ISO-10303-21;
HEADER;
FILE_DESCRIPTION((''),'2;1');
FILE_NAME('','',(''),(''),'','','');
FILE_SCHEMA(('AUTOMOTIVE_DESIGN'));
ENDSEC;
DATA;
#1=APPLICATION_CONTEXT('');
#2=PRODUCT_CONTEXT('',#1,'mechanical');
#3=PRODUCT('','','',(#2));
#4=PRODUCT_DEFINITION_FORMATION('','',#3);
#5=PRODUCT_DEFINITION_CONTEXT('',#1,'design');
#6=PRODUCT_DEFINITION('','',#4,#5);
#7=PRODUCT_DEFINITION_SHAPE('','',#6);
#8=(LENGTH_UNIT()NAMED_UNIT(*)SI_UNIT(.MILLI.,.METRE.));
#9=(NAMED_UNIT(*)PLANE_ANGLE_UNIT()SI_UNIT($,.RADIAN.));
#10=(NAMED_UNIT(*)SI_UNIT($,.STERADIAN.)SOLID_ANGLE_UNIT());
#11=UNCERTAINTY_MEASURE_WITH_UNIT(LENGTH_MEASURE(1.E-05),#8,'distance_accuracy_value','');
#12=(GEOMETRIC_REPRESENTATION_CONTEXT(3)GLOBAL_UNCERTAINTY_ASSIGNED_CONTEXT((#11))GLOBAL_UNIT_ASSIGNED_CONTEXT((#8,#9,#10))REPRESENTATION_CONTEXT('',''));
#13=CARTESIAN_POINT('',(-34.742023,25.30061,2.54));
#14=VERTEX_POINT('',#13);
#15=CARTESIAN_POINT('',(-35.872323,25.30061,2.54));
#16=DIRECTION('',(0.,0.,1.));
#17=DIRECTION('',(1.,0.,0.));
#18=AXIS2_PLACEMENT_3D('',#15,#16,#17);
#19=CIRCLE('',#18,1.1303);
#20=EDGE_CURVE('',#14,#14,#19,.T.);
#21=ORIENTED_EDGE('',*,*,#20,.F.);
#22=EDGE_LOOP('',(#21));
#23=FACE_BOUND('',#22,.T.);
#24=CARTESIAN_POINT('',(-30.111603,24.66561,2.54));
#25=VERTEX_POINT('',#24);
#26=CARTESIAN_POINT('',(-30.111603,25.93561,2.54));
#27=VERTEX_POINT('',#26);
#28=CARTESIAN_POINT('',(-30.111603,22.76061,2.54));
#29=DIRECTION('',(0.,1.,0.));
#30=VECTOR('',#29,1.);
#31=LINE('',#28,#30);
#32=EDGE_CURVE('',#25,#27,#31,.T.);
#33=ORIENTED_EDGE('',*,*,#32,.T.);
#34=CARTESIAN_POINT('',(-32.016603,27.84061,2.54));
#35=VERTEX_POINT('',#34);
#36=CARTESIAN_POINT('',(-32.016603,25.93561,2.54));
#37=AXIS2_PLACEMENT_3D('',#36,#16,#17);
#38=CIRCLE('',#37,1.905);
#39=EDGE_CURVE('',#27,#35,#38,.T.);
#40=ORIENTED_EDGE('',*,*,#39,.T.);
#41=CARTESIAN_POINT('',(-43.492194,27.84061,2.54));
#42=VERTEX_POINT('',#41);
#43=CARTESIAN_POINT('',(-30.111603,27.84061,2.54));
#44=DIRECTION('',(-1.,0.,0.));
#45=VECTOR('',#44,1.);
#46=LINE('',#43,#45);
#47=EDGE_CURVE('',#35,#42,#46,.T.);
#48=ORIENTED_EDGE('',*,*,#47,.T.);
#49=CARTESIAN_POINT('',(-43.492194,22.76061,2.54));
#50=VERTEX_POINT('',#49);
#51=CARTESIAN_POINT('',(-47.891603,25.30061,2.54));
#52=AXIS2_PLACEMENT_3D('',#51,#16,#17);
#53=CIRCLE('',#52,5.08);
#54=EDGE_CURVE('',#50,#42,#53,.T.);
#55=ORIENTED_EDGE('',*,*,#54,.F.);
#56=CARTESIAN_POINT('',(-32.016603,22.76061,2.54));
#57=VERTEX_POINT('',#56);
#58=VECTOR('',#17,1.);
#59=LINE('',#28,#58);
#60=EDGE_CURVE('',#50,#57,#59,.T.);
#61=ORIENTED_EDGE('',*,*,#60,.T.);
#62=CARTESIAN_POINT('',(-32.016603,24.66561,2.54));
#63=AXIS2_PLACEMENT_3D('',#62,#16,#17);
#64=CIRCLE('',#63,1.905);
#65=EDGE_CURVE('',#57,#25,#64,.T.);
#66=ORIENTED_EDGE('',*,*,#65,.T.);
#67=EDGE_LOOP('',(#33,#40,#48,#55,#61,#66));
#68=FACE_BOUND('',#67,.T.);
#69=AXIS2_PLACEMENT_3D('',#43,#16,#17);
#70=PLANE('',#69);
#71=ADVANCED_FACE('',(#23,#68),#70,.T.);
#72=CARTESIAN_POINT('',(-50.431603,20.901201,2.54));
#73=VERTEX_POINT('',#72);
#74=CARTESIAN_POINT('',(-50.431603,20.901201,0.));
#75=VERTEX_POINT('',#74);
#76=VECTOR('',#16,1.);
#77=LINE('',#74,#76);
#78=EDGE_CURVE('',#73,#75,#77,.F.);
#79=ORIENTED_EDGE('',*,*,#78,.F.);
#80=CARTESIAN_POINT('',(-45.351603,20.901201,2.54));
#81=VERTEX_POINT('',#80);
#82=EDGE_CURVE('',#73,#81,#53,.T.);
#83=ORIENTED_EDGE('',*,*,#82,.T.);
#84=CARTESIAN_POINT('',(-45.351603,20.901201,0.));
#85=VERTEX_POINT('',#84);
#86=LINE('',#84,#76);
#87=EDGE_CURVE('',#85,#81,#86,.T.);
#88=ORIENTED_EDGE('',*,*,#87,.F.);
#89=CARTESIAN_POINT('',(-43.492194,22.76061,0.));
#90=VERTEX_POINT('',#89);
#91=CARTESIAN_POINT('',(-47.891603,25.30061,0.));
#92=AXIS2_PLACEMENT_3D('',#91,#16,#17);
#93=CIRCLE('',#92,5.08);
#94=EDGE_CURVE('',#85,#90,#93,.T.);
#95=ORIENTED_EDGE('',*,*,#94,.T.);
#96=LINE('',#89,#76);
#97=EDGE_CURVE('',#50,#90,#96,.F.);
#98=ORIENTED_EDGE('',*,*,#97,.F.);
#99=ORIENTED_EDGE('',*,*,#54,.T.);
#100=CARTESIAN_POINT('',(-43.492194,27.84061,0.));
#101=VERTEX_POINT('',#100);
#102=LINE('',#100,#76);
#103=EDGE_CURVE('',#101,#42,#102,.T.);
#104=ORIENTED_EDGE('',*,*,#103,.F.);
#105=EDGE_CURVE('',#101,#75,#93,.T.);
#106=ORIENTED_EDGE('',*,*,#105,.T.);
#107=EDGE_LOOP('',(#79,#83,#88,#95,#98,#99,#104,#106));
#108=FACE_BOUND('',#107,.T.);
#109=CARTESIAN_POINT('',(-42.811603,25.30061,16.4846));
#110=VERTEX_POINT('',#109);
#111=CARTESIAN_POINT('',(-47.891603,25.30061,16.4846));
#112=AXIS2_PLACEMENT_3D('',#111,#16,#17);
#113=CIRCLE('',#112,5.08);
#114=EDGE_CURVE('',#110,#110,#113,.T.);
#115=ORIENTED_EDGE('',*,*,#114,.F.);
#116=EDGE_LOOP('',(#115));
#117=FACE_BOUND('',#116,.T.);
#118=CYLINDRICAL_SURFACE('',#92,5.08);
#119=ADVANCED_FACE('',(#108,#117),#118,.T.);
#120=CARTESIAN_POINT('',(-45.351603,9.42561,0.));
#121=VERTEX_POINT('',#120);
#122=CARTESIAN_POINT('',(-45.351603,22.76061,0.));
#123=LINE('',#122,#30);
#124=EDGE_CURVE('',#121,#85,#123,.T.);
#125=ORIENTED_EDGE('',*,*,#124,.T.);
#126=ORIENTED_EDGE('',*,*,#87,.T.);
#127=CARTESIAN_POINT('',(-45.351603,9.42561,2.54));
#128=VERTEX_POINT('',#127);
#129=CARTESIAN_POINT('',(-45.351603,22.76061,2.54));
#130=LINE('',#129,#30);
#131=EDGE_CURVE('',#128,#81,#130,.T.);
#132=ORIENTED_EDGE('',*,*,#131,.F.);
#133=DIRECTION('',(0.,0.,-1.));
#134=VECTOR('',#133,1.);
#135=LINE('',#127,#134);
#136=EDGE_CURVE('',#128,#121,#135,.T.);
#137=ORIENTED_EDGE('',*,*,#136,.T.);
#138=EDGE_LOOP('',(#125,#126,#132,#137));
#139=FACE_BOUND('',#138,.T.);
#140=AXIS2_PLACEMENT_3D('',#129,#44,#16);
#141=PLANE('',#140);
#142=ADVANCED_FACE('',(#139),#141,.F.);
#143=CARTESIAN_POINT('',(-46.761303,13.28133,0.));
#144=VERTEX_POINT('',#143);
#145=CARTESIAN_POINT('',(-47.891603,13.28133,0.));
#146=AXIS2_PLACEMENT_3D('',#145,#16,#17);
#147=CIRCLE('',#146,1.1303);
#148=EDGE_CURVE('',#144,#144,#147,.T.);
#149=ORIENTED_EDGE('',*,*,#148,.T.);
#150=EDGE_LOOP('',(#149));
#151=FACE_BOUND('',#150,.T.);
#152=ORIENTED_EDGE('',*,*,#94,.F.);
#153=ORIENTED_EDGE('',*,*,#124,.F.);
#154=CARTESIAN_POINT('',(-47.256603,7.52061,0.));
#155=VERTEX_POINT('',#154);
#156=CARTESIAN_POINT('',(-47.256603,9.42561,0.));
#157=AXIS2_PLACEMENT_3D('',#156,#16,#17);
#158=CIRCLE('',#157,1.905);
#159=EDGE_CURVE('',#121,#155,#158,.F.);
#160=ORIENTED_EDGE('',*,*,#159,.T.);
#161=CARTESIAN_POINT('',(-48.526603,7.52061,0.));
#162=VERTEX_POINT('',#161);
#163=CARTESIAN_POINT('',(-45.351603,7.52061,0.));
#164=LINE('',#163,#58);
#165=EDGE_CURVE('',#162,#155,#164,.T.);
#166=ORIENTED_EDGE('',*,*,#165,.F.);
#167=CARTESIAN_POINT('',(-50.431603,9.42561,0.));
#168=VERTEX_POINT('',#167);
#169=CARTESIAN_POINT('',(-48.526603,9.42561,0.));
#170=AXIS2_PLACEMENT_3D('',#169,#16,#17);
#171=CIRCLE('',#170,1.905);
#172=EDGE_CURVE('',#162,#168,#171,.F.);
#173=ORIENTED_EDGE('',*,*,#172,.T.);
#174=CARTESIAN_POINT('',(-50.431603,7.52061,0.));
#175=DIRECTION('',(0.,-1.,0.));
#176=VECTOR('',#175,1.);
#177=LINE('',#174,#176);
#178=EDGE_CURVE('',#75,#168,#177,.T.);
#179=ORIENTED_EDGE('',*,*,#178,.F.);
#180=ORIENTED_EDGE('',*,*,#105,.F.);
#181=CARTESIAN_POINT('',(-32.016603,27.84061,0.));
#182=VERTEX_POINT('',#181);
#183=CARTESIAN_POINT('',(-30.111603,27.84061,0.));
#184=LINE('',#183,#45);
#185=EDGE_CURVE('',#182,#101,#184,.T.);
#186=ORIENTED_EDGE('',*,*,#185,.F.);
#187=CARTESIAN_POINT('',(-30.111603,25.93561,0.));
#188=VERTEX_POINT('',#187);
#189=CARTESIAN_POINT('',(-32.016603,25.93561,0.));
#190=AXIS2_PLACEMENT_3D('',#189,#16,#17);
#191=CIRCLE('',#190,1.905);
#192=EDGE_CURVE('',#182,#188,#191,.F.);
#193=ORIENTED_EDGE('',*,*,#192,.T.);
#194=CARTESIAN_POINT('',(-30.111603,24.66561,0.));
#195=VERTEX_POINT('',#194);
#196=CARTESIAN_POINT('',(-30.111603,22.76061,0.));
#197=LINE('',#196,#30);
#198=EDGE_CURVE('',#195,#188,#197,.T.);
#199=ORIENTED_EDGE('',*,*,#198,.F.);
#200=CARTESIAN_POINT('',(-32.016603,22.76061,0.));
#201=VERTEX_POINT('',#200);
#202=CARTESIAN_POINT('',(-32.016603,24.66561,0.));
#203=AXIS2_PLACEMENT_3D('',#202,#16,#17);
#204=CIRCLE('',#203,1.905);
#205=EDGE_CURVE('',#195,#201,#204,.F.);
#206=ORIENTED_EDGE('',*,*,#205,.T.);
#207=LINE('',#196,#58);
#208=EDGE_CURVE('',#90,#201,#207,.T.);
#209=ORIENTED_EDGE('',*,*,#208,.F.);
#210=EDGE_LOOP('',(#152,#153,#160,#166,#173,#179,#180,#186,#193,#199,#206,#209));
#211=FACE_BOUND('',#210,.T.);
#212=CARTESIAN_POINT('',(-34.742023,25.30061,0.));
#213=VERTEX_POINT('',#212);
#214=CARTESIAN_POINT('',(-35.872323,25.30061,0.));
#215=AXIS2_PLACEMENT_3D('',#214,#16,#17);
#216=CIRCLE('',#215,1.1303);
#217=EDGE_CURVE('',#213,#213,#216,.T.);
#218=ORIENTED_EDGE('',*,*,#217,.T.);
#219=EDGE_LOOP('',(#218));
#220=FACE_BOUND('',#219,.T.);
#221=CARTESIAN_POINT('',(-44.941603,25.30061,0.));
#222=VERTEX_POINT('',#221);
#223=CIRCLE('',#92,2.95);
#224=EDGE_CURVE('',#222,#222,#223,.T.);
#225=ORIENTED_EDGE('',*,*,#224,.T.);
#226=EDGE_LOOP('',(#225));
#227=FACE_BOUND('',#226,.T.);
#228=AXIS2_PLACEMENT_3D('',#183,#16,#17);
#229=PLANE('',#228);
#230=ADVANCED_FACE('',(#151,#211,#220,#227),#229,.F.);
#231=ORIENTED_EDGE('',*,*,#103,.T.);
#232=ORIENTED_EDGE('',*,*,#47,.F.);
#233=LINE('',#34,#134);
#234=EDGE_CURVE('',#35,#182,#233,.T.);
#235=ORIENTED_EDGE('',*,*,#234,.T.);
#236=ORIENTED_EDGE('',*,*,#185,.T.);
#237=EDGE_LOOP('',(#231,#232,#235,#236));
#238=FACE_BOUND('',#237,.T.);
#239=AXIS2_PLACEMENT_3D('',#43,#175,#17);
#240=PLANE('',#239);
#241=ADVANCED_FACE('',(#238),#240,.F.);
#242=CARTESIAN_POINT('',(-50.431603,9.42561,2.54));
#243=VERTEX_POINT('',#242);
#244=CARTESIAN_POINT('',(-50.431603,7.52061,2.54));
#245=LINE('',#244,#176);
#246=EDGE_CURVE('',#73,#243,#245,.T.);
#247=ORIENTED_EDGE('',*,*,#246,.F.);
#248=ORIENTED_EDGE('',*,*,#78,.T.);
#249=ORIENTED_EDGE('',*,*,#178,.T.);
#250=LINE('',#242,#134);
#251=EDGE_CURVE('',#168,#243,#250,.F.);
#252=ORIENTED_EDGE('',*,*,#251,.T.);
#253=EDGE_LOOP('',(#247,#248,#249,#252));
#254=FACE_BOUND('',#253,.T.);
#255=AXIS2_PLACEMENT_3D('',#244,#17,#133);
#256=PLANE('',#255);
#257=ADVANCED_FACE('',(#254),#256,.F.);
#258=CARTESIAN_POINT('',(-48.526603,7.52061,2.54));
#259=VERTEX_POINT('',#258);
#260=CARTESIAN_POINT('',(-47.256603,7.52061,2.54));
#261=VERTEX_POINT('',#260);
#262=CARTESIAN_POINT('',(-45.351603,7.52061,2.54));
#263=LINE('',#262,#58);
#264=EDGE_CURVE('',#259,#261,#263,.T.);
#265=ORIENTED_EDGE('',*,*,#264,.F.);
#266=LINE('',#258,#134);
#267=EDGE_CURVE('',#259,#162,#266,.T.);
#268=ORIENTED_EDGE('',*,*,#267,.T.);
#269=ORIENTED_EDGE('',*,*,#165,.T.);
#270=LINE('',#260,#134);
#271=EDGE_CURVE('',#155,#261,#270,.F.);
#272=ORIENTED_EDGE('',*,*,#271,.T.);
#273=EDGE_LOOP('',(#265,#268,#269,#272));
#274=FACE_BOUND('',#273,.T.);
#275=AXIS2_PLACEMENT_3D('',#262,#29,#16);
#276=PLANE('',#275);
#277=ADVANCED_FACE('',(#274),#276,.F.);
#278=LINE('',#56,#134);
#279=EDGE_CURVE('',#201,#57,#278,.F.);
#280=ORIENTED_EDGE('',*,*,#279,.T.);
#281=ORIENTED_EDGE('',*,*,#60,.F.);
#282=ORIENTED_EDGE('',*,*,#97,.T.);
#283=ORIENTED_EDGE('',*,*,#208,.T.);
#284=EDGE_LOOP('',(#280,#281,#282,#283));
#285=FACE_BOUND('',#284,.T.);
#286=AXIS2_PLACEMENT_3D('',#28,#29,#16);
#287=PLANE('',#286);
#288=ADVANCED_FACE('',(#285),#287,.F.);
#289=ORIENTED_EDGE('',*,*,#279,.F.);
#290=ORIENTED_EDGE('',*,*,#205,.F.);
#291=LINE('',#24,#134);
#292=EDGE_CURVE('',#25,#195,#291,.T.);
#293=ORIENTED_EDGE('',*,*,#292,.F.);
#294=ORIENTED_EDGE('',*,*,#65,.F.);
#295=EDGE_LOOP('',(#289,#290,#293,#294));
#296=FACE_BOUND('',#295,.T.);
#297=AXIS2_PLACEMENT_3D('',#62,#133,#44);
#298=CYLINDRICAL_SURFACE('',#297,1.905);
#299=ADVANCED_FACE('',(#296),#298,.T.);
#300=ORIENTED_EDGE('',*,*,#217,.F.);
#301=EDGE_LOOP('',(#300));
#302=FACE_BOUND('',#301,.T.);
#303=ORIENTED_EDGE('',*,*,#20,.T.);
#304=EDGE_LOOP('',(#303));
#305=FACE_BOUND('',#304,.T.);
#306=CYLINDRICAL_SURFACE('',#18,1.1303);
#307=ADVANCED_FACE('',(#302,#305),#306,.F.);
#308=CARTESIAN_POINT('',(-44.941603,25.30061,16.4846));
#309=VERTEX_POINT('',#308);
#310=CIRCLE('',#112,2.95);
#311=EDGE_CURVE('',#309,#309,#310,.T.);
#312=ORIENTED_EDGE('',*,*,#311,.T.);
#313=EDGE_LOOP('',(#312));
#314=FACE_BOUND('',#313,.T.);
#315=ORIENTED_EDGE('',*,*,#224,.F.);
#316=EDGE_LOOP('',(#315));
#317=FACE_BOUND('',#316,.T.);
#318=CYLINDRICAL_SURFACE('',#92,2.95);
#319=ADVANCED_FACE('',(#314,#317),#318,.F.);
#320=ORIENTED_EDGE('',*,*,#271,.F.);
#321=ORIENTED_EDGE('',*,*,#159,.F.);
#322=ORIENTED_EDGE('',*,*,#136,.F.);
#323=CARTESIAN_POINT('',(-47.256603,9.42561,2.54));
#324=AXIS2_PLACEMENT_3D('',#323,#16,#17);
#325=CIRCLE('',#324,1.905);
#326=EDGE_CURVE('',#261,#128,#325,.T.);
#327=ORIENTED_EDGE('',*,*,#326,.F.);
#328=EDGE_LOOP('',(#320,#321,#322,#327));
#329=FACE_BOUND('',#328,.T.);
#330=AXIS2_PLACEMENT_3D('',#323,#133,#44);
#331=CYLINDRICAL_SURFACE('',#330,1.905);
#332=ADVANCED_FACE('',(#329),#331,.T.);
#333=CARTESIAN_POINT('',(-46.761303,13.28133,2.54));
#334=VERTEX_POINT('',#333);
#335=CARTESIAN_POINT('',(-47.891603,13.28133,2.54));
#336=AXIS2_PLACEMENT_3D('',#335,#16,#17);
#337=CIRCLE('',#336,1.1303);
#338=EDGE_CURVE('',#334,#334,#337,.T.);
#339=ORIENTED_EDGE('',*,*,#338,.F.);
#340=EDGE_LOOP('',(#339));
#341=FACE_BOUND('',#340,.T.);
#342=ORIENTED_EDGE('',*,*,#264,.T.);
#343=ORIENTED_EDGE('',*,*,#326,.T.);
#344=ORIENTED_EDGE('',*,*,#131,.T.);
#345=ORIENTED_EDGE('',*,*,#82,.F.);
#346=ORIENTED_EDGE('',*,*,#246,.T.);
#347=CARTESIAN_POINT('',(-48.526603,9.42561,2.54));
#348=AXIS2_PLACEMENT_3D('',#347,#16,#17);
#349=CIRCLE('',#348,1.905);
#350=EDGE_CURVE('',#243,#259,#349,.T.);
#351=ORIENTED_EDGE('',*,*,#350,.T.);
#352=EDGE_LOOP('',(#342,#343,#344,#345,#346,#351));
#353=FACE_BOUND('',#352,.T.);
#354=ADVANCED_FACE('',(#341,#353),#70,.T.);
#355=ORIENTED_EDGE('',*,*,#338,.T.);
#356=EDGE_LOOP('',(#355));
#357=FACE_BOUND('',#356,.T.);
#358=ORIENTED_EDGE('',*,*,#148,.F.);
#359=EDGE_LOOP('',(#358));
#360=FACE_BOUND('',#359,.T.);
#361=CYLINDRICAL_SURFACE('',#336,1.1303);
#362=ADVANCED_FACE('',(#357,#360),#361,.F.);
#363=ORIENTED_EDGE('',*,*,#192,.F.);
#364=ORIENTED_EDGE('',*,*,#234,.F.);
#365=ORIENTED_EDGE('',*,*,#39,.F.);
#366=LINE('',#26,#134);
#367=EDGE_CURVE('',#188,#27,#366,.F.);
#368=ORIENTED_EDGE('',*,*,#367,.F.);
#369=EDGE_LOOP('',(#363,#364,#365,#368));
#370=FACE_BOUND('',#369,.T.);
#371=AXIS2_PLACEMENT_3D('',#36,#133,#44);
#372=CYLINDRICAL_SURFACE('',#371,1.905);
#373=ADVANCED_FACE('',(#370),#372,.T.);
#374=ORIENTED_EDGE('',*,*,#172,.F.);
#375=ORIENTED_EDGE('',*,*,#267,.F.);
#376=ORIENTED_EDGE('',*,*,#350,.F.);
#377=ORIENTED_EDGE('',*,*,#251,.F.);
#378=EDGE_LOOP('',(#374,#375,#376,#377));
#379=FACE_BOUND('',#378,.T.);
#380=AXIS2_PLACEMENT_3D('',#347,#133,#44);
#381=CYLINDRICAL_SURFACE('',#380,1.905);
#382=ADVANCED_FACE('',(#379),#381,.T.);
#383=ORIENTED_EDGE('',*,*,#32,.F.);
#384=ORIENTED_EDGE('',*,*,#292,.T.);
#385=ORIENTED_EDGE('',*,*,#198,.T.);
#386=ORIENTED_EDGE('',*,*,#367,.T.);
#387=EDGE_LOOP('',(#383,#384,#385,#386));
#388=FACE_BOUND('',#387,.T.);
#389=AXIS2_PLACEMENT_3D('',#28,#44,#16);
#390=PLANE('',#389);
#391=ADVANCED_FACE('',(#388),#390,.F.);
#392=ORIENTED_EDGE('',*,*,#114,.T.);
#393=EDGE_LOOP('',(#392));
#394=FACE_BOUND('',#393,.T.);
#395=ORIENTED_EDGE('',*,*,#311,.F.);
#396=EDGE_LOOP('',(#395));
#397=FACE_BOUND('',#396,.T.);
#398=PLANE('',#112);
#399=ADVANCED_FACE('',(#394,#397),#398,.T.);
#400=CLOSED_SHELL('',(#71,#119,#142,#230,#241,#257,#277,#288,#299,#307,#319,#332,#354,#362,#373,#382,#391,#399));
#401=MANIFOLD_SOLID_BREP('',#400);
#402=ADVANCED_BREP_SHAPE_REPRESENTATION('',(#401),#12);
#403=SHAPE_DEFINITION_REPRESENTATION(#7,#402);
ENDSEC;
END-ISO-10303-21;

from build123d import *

# Parameters (mm, degrees)
EXTRUDE2_DEPTH                  = 2.54
SKETCH5_R                       = 5.08
EXTRUDE3_DEPTH                  = 13.9446
EXTRUDE3_DEPTH_BACK             = 2.54
F_43_0_089_DIAMETER_HOLE1_D     = 2.2606
F_43_0_089_DIAMETER_HOLE1_DEPTH = 5.08
F_43_0_089_DIAMETER_HOLE1_TIP   = 0.679152758
SKETCH11_R                      = 2.95
EXTRUDE11_DEPTH                 = 17.4846
FILLET1_R                       = 1.905


with BuildPart() as part:
    # Sketch4 → Extrude2 (new body)
    with BuildSketch(Plane.XY):
        Polygon((-30.111603353, 27.840609557), (-51.701603353, 27.840609557), (-51.701603353, 22.760609557), (-50.431603353, 22.760609557), (-50.431603353, 7.520609557), (-45.351603353, 7.520609557), (-45.351603353, 22.760609557), (-30.111603353, 22.760609557), align=None)
    extrude(amount=EXTRUDE2_DEPTH)

    # Sketch5 → Extrude3 (add, two sides)
    with BuildSketch(Plane.XY.offset(2.54)) as extrude3_sk:
        with Locations((-47.891603353, 25.300609557)):
            Circle(SKETCH5_R)
    extrude(amount=EXTRUDE3_DEPTH)
    extrude(extrude3_sk.sketch, amount=-EXTRUDE3_DEPTH_BACK)

    # #43 (0.089) Diameter Hole1
    with Locations(Plane(origin=(-47.891603353, 13.281329557, 2.54), x_dir=(1, 0, 0), z_dir=(0, 0, 1))):
        with Locations((0, 0), (12.01928, 12.01928)):
            Hole(F_43_0_089_DIAMETER_HOLE1_D / 2, depth=F_43_0_089_DIAMETER_HOLE1_DEPTH)
            with Locations((0, 0, -(F_43_0_089_DIAMETER_HOLE1_DEPTH + F_43_0_089_DIAMETER_HOLE1_TIP / 2))):  # 118° drill point
                Cone(0, F_43_0_089_DIAMETER_HOLE1_D / 2, F_43_0_089_DIAMETER_HOLE1_TIP, mode=Mode.SUBTRACT)

    # Sketch11 → Extrude11 (cut, through all)
    with BuildSketch(Plane.XY.offset(16.4846)):
        with Locations((-47.891603353, 25.300609557)):
            Circle(SKETCH11_R)
    extrude(amount=-EXTRUDE11_DEPTH, mode=Mode.SUBTRACT)

    # Fillet1
    fillet1_edges = [part.edges().sort_by_distance(p)[0] for p in [
        (-30.111603353, 22.760609557, 1.27),
        (-45.351603353, 7.520609557, 1.27),
        (-50.431603353, 7.520609557, 1.27),
        (-30.111603353, 27.840609557, 1.27),
    ]]
    fillet(fillet1_edges, radius=FILLET1_R)


solid = part.part
